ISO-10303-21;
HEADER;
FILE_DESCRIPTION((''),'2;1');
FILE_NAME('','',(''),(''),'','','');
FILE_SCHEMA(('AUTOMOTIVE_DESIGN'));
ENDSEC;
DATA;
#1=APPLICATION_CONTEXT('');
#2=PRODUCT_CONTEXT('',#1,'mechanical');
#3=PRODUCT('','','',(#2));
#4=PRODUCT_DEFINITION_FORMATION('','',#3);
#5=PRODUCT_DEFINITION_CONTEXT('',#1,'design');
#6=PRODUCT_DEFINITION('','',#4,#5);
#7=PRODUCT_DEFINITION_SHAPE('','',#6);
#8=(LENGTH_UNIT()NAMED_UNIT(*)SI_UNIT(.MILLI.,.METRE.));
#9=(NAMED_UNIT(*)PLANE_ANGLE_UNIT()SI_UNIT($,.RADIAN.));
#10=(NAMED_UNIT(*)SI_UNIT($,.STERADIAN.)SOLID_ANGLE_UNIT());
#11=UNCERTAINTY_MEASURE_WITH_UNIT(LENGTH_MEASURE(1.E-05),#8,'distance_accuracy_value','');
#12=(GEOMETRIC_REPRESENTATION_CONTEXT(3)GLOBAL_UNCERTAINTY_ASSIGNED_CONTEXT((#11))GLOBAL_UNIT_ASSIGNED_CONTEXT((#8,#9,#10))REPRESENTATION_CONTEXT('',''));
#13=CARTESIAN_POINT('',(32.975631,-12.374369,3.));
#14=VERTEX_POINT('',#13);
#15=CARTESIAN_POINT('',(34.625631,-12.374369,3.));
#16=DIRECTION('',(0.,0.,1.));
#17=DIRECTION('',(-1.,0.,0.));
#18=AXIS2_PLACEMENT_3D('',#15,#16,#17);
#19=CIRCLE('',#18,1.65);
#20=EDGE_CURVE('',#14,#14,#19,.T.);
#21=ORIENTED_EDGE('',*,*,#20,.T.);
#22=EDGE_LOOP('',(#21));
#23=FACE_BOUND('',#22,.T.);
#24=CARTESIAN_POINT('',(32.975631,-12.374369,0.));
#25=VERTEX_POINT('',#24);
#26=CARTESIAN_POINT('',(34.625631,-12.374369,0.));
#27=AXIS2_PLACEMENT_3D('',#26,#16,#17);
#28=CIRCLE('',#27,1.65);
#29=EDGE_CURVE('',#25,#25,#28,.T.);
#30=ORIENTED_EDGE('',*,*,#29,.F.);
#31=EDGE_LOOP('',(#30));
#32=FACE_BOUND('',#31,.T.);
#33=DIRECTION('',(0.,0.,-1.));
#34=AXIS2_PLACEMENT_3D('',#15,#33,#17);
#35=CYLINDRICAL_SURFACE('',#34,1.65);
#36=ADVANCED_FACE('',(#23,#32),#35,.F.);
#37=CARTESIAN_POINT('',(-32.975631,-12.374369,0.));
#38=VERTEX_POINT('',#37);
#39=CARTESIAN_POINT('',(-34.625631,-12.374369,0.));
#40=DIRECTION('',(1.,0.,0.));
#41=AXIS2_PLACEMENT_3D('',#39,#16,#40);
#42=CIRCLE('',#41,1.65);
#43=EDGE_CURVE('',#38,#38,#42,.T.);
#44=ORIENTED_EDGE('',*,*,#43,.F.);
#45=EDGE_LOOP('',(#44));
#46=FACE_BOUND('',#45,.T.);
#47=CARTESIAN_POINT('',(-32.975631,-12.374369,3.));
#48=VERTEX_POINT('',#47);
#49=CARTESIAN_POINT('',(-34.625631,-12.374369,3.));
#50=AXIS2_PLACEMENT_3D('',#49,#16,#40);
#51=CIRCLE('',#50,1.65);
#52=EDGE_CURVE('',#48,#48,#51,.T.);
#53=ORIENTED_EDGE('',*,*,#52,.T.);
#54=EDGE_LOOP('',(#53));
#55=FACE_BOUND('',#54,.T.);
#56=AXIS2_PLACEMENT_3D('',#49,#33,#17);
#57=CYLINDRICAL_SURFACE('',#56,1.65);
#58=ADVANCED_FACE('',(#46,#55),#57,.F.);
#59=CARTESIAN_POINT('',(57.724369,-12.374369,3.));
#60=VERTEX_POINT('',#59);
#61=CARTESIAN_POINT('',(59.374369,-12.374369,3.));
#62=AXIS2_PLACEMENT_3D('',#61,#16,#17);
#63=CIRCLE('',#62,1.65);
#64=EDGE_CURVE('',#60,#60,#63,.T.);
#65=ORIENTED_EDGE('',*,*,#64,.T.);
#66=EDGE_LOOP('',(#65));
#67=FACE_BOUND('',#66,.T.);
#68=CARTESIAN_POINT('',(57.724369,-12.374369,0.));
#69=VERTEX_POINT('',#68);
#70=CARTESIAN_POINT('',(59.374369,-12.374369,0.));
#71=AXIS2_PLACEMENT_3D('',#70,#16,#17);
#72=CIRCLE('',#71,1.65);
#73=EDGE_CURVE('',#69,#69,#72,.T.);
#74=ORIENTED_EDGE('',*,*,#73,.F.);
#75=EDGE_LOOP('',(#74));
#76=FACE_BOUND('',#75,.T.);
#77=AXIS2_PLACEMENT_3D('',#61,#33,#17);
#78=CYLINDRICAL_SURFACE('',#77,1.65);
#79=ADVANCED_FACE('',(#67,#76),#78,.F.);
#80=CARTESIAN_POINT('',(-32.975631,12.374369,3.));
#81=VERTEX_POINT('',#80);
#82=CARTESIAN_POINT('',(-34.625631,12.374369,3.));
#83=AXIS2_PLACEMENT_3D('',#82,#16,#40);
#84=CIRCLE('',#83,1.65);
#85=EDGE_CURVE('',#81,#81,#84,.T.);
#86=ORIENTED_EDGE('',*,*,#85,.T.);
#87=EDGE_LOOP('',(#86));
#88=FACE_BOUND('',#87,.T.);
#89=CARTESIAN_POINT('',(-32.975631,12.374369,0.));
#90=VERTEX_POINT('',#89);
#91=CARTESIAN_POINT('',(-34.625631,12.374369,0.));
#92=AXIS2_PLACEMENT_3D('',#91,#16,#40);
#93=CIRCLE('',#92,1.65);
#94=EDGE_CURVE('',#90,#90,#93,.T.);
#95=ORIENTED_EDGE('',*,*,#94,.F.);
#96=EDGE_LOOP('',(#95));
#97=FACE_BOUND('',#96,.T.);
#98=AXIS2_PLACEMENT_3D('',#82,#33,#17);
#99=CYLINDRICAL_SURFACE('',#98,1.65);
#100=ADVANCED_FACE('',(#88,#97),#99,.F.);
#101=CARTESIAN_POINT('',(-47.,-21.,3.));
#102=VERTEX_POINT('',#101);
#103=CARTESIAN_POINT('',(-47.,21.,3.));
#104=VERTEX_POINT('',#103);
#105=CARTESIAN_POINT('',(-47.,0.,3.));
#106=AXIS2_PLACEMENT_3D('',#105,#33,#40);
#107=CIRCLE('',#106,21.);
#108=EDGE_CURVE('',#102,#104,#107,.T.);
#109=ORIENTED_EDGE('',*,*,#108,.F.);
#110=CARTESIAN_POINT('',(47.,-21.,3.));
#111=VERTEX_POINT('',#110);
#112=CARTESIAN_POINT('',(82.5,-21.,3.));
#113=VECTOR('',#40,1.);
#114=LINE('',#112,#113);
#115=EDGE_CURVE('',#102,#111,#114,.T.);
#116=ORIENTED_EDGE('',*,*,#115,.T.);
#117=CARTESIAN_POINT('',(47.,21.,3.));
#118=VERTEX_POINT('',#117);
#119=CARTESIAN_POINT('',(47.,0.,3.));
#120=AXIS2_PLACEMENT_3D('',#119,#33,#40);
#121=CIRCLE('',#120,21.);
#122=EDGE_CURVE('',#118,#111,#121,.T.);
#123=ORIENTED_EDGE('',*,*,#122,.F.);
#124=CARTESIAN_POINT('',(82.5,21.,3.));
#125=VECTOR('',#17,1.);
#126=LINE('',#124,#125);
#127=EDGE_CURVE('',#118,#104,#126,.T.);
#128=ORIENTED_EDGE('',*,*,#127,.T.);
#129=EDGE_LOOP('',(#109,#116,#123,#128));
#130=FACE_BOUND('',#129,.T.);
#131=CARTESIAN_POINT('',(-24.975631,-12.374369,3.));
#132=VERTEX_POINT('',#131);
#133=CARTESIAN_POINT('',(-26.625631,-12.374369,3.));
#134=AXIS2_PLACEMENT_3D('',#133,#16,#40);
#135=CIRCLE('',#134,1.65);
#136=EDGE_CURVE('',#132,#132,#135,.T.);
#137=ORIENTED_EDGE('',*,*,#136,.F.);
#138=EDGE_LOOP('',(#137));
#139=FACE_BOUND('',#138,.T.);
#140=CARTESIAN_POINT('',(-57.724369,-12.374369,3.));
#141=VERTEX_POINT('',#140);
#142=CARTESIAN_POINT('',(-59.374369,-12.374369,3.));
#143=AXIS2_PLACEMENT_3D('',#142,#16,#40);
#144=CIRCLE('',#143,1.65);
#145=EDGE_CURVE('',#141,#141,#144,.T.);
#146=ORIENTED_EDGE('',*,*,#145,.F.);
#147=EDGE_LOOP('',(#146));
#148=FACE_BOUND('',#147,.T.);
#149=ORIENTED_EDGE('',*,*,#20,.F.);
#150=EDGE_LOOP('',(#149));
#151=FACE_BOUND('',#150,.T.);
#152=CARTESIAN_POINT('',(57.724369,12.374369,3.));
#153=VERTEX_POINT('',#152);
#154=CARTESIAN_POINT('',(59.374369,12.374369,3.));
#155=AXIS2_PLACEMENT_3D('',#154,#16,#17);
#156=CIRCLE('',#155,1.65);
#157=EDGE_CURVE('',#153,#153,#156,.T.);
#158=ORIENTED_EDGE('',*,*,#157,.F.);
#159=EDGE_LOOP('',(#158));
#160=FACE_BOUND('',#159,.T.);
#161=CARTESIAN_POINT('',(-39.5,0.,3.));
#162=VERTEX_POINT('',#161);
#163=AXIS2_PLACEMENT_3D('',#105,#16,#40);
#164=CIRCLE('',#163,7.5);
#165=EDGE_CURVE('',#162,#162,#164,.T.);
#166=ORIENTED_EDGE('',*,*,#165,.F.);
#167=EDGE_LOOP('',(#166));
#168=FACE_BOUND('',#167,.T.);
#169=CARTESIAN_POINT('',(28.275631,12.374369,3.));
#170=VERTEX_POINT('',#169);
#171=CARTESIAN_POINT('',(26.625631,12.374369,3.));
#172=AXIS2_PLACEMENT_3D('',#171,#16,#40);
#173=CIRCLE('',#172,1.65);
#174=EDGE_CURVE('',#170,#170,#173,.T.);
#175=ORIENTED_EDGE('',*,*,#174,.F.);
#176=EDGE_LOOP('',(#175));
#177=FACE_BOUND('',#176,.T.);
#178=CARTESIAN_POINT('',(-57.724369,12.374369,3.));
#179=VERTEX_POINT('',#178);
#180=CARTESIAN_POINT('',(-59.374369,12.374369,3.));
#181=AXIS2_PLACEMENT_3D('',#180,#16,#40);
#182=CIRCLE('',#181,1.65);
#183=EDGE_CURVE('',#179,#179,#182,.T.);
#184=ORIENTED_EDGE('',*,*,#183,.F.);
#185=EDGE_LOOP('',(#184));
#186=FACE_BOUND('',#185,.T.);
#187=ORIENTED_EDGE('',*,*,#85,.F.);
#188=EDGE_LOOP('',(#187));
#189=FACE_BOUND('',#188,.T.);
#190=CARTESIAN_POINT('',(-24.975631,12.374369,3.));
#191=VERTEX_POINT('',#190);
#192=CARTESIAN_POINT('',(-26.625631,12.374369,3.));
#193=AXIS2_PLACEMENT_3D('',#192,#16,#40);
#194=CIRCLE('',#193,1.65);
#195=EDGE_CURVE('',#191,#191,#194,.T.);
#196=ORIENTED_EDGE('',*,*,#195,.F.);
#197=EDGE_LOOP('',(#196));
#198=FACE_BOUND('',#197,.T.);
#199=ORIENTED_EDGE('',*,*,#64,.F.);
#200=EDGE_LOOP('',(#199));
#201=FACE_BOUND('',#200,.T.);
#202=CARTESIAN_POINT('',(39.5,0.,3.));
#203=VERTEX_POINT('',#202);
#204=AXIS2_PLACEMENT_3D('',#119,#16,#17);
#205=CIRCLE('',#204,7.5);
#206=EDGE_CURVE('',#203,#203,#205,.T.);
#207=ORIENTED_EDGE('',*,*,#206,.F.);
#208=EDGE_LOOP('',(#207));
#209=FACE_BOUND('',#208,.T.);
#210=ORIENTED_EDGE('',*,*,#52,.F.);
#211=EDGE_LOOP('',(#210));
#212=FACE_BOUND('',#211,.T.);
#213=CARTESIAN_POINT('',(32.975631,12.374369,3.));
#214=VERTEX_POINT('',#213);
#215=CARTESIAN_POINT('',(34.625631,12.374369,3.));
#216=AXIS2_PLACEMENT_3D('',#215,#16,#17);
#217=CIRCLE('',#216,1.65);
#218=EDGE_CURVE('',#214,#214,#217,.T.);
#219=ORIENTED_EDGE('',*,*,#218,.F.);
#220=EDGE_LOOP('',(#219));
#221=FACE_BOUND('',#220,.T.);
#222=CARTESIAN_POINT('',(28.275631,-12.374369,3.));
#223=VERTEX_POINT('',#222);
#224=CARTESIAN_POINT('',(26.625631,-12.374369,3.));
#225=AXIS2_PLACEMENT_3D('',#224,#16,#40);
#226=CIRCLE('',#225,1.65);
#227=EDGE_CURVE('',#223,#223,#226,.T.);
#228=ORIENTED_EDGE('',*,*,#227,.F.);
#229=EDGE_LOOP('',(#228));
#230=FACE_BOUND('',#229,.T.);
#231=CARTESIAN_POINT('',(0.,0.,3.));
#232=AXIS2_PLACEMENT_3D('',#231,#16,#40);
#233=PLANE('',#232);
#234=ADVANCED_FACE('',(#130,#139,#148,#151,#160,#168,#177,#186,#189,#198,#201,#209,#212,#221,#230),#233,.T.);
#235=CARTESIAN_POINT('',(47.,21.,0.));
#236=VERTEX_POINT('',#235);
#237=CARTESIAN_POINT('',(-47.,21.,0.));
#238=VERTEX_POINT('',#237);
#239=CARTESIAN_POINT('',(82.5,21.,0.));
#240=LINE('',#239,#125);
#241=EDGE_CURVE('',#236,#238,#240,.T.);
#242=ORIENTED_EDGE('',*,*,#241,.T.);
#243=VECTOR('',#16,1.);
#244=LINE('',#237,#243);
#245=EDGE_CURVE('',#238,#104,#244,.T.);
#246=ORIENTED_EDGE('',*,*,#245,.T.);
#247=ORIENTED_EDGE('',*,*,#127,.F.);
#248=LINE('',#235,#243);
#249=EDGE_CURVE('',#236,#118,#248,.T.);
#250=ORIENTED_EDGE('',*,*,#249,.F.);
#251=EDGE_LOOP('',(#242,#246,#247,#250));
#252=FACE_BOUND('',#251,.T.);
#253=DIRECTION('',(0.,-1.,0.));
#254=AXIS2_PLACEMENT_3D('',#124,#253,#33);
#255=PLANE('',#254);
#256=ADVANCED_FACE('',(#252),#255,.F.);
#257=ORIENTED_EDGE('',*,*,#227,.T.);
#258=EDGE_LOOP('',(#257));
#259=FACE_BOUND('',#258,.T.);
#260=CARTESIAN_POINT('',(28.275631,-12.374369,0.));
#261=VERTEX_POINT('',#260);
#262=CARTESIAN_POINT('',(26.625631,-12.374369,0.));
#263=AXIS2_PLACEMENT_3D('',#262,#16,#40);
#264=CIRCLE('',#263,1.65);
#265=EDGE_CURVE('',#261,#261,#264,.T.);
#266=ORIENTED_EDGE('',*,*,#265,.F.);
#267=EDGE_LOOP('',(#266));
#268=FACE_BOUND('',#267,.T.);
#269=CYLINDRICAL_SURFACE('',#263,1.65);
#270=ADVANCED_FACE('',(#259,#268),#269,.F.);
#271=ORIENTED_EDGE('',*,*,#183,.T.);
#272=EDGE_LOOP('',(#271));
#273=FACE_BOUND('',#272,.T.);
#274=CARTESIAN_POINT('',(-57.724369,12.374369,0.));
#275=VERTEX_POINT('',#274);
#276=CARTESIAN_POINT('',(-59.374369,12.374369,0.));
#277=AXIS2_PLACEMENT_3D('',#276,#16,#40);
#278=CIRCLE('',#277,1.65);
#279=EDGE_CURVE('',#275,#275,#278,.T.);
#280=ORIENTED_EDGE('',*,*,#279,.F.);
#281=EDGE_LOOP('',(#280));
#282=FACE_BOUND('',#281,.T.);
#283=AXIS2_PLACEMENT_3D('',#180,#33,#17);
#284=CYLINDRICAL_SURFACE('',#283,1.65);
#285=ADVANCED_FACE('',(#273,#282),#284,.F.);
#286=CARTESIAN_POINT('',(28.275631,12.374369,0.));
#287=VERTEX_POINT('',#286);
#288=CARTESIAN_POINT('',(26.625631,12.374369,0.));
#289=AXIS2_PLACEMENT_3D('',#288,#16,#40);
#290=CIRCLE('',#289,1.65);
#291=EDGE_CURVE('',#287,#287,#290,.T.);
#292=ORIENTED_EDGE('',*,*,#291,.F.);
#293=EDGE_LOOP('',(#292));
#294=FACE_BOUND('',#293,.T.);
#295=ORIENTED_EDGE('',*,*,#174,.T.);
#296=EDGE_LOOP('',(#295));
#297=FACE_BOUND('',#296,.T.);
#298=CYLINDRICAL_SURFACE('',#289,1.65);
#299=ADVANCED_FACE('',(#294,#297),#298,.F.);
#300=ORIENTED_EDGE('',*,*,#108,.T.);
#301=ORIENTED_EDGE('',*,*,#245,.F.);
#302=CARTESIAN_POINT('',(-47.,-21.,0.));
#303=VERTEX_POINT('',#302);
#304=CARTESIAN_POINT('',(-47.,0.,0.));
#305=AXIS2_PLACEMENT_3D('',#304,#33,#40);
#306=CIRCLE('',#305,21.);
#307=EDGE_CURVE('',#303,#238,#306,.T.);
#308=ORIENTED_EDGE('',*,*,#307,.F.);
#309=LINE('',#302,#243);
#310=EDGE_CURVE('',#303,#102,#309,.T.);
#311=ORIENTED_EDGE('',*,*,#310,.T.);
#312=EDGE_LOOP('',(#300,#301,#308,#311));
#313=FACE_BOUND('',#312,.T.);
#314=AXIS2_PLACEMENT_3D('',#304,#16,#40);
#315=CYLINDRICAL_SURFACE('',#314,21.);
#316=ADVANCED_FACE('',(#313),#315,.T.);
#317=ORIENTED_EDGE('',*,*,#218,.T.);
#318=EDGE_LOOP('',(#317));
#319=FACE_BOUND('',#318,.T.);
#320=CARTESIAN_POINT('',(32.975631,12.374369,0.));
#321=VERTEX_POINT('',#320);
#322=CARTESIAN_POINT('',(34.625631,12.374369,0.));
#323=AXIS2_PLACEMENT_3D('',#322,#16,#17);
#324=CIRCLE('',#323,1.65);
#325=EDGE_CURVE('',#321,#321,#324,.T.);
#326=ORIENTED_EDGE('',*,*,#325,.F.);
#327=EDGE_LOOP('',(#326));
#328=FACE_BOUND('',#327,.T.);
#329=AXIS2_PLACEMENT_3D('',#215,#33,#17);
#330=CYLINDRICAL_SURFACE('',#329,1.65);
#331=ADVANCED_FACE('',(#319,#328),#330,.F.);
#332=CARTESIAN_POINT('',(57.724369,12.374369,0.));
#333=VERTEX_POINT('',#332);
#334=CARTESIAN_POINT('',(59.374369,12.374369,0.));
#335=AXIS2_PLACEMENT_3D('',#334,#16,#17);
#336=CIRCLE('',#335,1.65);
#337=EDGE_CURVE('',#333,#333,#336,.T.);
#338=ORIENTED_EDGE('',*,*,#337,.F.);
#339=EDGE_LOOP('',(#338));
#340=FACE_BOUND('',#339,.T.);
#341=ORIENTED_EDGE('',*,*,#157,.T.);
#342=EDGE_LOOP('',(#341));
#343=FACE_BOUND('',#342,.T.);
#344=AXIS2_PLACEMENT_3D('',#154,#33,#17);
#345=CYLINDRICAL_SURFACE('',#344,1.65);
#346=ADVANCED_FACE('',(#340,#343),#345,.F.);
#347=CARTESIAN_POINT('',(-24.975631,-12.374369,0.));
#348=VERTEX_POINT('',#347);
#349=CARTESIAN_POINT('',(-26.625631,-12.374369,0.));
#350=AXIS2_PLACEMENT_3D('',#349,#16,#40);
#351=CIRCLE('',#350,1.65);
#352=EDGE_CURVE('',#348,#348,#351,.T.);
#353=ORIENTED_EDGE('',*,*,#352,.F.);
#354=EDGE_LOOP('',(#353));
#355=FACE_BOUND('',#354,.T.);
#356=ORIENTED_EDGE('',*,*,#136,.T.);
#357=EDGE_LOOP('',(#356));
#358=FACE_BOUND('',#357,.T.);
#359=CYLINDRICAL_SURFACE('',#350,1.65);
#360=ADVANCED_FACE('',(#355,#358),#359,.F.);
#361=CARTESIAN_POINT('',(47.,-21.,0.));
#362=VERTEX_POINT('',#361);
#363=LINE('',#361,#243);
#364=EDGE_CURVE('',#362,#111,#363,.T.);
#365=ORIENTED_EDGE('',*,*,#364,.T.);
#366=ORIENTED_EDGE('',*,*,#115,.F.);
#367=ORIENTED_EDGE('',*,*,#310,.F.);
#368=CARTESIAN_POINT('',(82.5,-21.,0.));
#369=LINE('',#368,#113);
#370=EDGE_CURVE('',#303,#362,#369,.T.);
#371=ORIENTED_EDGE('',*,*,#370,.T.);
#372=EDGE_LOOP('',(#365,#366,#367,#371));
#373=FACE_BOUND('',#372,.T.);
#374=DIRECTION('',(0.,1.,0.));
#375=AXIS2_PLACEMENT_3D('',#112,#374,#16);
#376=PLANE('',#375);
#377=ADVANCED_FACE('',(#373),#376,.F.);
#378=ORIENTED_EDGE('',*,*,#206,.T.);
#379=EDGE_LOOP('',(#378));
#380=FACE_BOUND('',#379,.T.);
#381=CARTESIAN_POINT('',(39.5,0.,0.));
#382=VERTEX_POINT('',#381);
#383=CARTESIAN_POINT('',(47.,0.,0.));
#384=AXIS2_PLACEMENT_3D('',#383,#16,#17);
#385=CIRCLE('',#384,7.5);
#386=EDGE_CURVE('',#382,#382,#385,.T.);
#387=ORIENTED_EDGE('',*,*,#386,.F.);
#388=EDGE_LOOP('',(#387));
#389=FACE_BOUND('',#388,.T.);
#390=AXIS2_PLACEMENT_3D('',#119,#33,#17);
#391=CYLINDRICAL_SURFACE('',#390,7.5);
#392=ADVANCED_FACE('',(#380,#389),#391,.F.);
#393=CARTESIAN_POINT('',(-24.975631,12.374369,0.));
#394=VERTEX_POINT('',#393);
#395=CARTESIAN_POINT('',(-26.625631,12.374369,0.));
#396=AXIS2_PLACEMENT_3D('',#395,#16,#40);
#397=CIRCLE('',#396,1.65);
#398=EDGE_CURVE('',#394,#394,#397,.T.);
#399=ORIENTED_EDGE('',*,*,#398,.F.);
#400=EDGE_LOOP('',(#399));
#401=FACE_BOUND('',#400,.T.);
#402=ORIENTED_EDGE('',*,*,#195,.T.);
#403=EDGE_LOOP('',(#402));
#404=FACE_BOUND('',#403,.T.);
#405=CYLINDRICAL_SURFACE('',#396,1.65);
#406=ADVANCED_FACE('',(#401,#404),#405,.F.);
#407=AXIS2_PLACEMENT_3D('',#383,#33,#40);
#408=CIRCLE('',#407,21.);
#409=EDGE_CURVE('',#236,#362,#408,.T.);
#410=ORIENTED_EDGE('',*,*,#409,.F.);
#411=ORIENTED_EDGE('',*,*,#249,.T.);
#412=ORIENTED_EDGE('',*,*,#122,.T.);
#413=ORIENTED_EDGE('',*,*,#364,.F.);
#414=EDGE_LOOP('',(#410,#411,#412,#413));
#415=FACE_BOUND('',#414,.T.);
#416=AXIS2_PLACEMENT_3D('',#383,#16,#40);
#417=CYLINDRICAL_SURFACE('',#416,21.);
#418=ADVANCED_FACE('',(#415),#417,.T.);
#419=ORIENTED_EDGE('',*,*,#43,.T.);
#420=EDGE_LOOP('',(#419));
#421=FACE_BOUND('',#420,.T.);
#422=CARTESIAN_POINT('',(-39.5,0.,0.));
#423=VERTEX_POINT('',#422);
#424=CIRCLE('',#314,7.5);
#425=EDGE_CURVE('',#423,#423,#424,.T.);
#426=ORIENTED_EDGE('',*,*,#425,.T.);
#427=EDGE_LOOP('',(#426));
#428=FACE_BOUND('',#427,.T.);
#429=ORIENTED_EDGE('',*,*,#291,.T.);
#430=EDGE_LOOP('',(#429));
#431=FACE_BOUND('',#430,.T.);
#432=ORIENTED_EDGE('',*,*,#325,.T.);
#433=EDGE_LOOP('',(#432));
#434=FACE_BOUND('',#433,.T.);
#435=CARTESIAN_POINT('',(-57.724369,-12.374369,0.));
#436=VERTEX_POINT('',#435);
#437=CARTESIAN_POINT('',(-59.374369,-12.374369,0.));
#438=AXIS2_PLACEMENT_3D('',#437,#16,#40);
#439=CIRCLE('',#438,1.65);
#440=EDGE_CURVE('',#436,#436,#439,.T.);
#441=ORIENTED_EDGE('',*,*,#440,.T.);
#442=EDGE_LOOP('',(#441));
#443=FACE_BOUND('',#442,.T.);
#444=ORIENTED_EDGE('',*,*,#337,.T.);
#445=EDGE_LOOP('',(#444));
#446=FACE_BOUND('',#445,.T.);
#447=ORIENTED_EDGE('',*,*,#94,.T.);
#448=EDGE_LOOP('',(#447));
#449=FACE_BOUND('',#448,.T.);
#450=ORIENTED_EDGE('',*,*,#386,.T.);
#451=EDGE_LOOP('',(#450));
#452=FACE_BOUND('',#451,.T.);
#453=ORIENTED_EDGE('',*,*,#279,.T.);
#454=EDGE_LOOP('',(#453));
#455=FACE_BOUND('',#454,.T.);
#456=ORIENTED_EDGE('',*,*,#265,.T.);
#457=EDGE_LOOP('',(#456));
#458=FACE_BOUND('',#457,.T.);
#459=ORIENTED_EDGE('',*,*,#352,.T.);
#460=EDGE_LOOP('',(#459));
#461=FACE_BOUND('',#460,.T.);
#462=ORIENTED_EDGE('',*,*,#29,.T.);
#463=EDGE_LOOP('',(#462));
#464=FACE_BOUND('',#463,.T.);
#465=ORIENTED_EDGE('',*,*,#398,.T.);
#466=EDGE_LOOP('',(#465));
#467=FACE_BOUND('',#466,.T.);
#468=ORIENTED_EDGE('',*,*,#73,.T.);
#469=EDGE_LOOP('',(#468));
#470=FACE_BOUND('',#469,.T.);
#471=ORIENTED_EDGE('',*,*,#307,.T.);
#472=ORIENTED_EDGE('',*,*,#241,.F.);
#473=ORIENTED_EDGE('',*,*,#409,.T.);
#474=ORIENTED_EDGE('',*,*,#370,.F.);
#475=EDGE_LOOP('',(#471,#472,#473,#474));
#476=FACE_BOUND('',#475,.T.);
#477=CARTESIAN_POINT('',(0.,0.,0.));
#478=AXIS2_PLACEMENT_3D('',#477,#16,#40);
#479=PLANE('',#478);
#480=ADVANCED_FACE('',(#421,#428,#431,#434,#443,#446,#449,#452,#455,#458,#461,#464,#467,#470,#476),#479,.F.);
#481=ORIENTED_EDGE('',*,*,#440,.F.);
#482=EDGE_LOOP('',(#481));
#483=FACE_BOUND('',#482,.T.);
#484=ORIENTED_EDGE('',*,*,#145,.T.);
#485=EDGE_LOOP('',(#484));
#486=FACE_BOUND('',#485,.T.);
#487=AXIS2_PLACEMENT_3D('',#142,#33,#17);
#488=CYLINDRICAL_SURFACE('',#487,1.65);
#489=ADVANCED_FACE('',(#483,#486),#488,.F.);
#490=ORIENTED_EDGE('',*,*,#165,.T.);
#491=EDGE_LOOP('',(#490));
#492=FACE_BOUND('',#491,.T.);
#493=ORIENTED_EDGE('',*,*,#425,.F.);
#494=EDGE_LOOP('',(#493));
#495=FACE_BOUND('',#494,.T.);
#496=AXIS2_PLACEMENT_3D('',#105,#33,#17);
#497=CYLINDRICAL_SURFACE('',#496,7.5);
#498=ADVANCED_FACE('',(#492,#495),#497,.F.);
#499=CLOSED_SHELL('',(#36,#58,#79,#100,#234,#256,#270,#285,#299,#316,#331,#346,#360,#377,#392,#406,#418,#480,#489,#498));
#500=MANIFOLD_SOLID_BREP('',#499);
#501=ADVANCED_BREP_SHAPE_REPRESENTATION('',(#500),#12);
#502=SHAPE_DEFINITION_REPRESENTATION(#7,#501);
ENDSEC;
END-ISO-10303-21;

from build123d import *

# Parameters (mm, degrees)
SKETCH_1_W          = 165
SKETCH_1_H          = 42
SKETCH_1_R          = 7.5
SKETCH_1_R_2        = 1.65
EXTRUDE_1_DEPTH     = 3
CUT_EXTRUDE_1_DEPTH = 3
SKETCH_3_R          = 1.65
CUT_EXTRUDE_2_DEPTH = 3


with BuildPart() as part:
    # 草图1 → 凸台-拉伸1 (new body)
    with BuildSketch(Plane.XY):
        Rectangle(SKETCH_1_W, SKETCH_1_H)
        with Locations((-47, 0)):
            Circle(SKETCH_1_R, mode=Mode.SUBTRACT)
        with Locations((-75, 10)):
            Circle(SKETCH_1_R_2, mode=Mode.SUBTRACT)
        with Locations((-75, -10)):
            Circle(SKETCH_1_R_2, mode=Mode.SUBTRACT)
        with Locations((75, 10)):
            Circle(SKETCH_1_R_2, mode=Mode.SUBTRACT)
        with Locations((75, -10)):
            Circle(SKETCH_1_R_2, mode=Mode.SUBTRACT)
        with Locations((-59.374368671, 12.374368671)):
            Circle(SKETCH_1_R_2, mode=Mode.SUBTRACT)
        with Locations((-34.625631329, 12.374368671)):
            Circle(SKETCH_1_R_2, mode=Mode.SUBTRACT)
        with Locations((-34.625631329, -12.374368671)):
            Circle(SKETCH_1_R_2, mode=Mode.SUBTRACT)
        with Locations((-59.374368671, -12.374368671)):
            Circle(SKETCH_1_R_2, mode=Mode.SUBTRACT)
        with Locations(Location((59.374368671, -12.374368671, 0), (0, 0, 180))):
            Circle(SKETCH_1_R_2, mode=Mode.SUBTRACT)
        with Locations(Location((34.625631329, -12.374368671, 0), (0, 0, 180))):
            Circle(SKETCH_1_R_2, mode=Mode.SUBTRACT)
        with Locations(Location((34.625631329, 12.374368671, 0), (0, 0, 180))):
            Circle(SKETCH_1_R_2, mode=Mode.SUBTRACT)
        with Locations(Location((59.374368671, 12.374368671, 0), (0, 0, 180))):
            Circle(SKETCH_1_R_2, mode=Mode.SUBTRACT)
        with Locations(Location((47, 0, 0), (0, 0, 180))):
            Circle(SKETCH_1_R, mode=Mode.SUBTRACT)
    extrude(amount=EXTRUDE_1_DEPTH)

    # 草图2 → 切除-拉伸1 (cut)
    with BuildSketch(Plane.XY.offset(3)):
        with BuildLine():
            Line((-47, 21), (-82.5, 21))
            Line((-82.5, 21), (-82.5, -21))
            Line((-82.5, -21), (-47, -21))
            ThreePointArc((-47, -21), (-68, 0), (-47, 21))
        make_face()
        with BuildLine():
            Line((47, -21), (82.5, -21))
            Line((82.5, -21), (82.5, 21))
            Line((82.5, 21), (47, 21))
            ThreePointArc((47, 21), (68, 0), (47, -21))
        make_face()
    extrude(amount=-CUT_EXTRUDE_1_DEPTH, mode=Mode.SUBTRACT)

    # 草图3 → 切除-拉伸2 (cut)
    with BuildSketch(Plane.XY.offset(3)):
        with Locations((-26.625631329, 12.374368671)):
            Circle(SKETCH_3_R)
        with Locations((-26.625631329, -12.374368671)):
            Circle(SKETCH_3_R)
        with Locations((26.625631329, 12.374368671)):
            Circle(SKETCH_3_R)
        with Locations((26.625631329, -12.374368671)):
            Circle(SKETCH_3_R)
    extrude(amount=-CUT_EXTRUDE_2_DEPTH, mode=Mode.SUBTRACT)


solid = part.part
